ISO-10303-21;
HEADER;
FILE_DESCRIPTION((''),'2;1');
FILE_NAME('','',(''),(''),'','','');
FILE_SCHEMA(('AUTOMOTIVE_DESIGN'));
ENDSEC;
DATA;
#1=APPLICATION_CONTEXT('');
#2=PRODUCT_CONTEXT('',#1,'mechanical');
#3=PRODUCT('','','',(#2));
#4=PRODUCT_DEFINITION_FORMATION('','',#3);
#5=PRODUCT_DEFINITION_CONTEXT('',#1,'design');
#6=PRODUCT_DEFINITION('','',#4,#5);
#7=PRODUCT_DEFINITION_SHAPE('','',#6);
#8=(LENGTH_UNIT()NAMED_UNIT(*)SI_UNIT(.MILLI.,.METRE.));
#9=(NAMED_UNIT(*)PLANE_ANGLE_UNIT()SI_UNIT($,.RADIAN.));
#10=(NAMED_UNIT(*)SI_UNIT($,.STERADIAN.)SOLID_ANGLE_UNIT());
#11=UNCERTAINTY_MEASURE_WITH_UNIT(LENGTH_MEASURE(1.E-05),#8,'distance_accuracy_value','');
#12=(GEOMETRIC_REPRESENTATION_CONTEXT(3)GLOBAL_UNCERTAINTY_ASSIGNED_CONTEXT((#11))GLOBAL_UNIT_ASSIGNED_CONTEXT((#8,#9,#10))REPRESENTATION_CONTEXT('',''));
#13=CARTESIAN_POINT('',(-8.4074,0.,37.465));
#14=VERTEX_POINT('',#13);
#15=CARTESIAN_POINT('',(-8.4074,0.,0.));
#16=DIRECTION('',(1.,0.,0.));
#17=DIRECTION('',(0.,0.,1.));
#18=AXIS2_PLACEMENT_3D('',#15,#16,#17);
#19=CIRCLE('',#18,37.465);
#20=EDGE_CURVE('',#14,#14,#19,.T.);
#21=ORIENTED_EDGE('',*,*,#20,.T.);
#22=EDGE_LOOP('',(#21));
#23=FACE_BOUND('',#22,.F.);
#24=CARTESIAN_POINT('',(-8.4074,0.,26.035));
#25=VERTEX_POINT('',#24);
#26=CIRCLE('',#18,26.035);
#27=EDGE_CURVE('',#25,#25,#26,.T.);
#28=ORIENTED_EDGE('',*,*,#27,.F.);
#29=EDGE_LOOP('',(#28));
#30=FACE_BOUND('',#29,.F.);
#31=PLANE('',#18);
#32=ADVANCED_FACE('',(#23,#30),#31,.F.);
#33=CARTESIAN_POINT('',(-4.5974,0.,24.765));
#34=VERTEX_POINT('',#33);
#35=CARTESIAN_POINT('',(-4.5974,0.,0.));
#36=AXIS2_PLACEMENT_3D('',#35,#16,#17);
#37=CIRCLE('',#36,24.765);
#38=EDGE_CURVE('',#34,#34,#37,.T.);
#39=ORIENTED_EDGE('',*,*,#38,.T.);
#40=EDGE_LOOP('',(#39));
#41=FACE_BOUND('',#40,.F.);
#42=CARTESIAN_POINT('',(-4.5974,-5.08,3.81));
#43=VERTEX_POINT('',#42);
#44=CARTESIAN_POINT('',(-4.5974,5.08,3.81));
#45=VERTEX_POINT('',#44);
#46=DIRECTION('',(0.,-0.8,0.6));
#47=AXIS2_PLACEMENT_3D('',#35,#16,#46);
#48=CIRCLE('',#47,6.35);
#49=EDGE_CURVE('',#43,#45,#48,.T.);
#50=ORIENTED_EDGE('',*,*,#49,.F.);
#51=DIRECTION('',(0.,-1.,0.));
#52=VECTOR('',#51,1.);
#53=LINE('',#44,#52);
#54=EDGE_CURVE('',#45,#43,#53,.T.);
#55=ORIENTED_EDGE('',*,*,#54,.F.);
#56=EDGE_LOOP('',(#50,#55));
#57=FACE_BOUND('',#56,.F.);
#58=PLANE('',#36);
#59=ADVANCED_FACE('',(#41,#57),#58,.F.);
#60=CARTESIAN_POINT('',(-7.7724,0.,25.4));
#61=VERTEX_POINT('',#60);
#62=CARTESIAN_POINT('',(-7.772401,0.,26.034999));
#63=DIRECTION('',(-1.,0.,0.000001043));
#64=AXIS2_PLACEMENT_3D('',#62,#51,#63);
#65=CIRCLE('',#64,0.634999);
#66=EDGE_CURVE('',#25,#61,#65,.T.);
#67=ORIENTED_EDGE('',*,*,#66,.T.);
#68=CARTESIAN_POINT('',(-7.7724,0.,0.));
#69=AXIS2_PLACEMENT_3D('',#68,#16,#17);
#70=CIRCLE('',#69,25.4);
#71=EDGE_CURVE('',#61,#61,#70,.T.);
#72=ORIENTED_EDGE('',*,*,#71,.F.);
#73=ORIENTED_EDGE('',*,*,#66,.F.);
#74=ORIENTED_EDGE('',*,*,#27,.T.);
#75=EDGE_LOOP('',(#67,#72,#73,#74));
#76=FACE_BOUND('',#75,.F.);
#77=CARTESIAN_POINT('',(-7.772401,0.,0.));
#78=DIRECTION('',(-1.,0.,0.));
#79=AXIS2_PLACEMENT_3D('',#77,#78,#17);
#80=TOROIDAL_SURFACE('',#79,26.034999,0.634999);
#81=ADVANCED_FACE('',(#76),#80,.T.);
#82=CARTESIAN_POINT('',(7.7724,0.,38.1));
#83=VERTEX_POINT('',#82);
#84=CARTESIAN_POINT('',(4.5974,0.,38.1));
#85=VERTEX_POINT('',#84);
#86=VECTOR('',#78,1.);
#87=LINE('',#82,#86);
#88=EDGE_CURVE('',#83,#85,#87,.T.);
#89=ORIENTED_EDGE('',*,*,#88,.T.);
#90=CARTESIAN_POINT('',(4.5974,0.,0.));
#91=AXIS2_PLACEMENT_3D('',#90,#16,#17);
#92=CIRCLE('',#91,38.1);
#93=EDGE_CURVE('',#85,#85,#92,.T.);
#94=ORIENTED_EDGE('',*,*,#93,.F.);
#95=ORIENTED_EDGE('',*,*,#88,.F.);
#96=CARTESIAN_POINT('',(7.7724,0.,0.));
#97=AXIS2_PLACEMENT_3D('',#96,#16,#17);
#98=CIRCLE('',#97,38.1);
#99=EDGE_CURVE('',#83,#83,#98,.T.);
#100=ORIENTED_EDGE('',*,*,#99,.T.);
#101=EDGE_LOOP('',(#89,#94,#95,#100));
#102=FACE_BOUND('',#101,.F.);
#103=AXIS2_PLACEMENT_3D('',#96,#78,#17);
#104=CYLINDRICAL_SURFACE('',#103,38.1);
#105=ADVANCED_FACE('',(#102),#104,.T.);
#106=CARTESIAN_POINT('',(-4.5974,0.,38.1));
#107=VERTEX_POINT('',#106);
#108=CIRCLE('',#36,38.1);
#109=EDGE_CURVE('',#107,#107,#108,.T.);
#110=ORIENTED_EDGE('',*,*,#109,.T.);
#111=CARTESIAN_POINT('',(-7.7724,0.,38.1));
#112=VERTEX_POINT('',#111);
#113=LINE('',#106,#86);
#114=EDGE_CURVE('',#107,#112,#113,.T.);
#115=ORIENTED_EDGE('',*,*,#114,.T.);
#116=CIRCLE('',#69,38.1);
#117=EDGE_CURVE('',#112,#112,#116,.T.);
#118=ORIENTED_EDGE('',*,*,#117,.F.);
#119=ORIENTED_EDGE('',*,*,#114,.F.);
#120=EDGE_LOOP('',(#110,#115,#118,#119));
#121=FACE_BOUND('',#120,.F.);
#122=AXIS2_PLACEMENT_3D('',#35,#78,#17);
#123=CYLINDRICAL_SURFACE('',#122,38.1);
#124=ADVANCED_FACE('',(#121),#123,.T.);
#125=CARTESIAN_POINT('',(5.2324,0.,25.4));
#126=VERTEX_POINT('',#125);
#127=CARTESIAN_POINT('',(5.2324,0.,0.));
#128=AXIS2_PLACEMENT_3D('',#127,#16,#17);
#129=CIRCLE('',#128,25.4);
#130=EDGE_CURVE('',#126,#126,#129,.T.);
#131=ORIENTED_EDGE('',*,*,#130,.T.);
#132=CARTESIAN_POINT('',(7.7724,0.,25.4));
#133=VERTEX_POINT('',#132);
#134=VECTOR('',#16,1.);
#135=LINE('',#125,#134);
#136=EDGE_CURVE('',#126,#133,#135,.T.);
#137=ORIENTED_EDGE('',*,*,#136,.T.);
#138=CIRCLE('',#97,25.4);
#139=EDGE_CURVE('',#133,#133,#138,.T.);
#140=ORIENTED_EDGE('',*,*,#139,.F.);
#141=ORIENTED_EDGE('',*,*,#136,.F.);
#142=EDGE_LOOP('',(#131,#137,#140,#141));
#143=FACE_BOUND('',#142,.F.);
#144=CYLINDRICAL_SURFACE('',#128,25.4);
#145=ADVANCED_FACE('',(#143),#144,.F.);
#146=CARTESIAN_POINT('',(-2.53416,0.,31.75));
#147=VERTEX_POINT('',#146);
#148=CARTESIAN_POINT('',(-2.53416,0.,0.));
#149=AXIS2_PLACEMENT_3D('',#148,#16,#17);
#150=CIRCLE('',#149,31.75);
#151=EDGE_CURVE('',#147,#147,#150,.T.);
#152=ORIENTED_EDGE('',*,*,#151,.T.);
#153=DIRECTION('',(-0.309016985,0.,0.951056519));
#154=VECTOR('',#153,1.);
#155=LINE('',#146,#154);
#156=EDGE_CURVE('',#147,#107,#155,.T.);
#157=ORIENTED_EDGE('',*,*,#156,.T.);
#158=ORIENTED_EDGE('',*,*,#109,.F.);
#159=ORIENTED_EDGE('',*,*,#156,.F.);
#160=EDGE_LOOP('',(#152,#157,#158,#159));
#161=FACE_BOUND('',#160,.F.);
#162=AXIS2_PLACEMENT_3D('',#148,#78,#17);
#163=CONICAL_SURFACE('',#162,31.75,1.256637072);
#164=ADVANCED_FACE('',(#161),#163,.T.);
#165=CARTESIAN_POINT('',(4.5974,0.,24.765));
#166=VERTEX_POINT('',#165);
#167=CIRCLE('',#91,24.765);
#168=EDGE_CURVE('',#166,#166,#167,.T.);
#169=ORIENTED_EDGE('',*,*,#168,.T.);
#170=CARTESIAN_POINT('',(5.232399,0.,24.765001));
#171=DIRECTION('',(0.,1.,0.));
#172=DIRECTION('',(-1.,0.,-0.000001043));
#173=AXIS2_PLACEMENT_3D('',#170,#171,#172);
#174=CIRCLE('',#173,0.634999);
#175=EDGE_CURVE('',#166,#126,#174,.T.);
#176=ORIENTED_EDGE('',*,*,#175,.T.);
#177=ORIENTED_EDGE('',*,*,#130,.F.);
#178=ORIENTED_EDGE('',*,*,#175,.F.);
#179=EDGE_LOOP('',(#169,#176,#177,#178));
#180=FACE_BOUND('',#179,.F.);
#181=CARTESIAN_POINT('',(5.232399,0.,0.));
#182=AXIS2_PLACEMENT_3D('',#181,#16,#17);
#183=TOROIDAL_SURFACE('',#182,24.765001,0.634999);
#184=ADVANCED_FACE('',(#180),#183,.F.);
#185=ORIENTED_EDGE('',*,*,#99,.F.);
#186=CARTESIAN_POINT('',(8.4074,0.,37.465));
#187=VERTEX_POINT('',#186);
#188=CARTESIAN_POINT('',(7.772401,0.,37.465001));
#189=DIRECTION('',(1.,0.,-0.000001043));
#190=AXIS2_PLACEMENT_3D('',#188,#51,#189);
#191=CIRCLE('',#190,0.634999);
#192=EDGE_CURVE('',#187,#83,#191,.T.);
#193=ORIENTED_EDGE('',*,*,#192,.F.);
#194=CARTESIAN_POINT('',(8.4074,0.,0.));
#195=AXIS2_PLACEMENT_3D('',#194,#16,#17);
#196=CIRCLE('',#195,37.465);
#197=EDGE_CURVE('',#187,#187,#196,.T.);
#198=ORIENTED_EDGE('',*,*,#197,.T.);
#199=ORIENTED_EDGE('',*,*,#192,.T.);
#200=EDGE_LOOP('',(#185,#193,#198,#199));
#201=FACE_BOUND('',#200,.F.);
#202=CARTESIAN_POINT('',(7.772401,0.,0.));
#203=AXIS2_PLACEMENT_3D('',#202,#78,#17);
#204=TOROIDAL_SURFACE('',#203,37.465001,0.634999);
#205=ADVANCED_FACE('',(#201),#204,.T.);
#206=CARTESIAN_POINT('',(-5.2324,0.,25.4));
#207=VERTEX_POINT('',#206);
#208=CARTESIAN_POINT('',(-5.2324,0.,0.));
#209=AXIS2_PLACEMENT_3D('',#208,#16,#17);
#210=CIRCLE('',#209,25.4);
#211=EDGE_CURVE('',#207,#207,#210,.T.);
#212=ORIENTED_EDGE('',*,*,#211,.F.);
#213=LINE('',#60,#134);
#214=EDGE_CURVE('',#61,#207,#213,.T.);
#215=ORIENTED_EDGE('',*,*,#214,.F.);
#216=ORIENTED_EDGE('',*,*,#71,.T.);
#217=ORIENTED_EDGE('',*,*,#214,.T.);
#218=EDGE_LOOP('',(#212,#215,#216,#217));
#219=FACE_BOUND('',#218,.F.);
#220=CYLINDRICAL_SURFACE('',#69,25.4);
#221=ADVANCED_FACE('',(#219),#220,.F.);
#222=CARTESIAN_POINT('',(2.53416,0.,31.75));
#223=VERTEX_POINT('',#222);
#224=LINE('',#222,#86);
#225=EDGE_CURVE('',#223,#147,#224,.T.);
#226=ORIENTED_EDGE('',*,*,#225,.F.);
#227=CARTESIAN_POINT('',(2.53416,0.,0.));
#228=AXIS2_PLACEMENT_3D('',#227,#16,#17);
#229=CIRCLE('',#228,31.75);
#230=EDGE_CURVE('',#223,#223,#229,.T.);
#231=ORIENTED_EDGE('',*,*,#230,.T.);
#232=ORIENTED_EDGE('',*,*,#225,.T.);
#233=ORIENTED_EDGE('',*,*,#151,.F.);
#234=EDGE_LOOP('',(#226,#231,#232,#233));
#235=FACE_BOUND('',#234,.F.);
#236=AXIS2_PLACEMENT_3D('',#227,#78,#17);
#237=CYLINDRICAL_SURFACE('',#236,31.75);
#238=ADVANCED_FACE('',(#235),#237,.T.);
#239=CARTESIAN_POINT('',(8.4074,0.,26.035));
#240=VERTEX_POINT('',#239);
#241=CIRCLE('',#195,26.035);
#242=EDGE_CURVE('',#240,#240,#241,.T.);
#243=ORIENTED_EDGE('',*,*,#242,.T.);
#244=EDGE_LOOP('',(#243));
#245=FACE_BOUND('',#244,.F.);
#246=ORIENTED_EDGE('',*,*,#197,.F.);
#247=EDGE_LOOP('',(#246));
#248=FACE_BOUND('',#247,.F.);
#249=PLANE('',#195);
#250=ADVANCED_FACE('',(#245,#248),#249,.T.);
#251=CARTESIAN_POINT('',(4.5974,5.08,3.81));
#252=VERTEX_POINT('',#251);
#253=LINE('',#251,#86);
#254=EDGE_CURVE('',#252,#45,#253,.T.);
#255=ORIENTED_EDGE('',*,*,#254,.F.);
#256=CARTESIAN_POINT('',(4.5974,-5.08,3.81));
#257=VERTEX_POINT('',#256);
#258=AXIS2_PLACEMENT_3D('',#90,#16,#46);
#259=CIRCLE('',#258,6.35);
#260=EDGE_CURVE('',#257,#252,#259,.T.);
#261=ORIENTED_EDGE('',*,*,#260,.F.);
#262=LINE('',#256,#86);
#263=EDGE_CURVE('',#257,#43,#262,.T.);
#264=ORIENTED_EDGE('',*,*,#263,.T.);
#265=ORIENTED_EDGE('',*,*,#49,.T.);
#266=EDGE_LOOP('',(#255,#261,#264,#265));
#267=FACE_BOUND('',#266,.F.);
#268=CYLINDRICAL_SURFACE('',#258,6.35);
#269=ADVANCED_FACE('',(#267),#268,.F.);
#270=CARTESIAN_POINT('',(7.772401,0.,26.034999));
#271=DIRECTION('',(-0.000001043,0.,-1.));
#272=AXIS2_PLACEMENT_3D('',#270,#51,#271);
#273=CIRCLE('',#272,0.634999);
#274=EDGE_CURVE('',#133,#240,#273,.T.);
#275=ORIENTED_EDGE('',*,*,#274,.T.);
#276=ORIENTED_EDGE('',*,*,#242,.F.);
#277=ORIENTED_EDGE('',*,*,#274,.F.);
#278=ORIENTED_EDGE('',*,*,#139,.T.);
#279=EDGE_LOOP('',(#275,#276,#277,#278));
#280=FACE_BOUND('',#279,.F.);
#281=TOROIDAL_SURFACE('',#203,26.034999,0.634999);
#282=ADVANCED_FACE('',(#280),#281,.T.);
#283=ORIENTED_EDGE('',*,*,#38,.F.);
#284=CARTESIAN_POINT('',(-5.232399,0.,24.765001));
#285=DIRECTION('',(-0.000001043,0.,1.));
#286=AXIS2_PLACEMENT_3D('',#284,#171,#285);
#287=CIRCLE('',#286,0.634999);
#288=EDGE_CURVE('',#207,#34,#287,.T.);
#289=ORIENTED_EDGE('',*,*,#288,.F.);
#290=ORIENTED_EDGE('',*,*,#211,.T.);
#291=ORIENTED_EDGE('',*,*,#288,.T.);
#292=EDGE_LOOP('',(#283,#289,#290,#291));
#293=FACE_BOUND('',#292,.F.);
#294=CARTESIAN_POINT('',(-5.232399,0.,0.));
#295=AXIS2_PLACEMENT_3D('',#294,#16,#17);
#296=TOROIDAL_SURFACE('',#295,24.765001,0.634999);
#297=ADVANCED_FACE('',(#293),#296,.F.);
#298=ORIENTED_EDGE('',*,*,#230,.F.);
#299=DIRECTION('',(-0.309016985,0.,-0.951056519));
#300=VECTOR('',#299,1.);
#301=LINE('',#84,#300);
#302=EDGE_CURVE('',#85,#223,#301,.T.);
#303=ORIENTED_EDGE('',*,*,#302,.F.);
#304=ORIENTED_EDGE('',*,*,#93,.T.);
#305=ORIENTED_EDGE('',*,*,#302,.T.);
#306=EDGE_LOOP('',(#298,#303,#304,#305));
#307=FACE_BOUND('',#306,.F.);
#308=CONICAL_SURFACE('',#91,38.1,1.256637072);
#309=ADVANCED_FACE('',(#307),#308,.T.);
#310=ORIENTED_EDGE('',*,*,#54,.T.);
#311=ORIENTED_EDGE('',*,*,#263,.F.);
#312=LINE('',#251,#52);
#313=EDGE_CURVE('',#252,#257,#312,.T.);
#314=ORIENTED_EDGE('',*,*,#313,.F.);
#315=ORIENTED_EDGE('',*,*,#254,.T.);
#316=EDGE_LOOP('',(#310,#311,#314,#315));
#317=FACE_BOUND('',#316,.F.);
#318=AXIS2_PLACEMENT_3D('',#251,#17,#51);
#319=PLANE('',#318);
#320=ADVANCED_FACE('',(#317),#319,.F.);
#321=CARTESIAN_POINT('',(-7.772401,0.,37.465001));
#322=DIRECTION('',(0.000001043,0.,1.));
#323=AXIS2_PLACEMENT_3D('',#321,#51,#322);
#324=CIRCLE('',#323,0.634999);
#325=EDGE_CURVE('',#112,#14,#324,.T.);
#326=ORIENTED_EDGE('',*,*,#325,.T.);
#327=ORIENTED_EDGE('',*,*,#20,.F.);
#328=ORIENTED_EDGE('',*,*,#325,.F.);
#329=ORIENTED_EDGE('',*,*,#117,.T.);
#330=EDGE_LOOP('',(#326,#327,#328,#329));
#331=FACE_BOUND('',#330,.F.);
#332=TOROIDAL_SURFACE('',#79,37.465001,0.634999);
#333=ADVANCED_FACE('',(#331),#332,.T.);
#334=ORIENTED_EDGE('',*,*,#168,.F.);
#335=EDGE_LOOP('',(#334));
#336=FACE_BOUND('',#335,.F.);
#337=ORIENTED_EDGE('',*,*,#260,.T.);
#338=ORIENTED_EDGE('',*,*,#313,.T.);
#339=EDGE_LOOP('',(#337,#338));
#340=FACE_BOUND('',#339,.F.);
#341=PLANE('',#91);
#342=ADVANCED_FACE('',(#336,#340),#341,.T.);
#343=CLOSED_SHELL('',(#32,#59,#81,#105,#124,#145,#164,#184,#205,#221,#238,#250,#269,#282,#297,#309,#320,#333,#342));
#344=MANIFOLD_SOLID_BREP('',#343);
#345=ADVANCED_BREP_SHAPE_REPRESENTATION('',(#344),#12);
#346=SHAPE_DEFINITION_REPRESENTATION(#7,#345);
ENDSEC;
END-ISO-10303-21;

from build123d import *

# Parameters (mm, degrees)
F4_DEPTH = 9.1948


with BuildPart() as f2:
    # F0 (on Front) → F2 (revolve)
    with BuildSketch(Plane.XZ):
        with BuildLine():
            Line((-4.5974, 24.765), (-4.5974, 0))
            Line((-4.5974, 0), (4.5974, 0))
            Line((4.5974, 0), (4.5974, 24.765))
            ThreePointArc((4.5974, 24.765), (4.783387, 25.214013), (5.2324, 25.4))
            Line((5.2324, 25.4), (7.7724, 25.4))
            ThreePointArc((7.7724, 25.4), (8.221413, 25.585987), (8.4074, 26.035))
            Line((8.4074, 26.035), (8.4074, 37.465))
            ThreePointArc((8.4074, 37.465), (8.221413, 37.914013), (7.7724, 38.1))
            Line((7.7724, 38.1), (4.5974, 38.1))
            Line((4.5974, 38.1), (2.53416, 31.75))
            Line((2.53416, 31.75), (0.00584, 31.75))
            Line((0.00584, 31.75), (-0.00584, 31.75))
            Line((-0.00584, 31.75), (-2.53416, 31.75))
            Line((-2.53416, 31.75), (-4.5974, 38.1))
            Line((-4.5974, 38.1), (-7.7724, 38.1))
            ThreePointArc((-7.7724, 38.1), (-8.221413, 37.914013), (-8.4074, 37.465))
            Line((-8.4074, 37.465), (-8.4074, 26.035))
            ThreePointArc((-8.4074, 26.035), (-8.221413, 25.585987), (-7.7724, 25.4))
            Line((-7.7724, 25.4), (-5.2324, 25.4))
            ThreePointArc((-5.2324, 25.4), (-4.783387, 25.214013), (-4.5974, 24.765))
        make_face()
    revolve(axis=Axis((8.800593, 0, 0), (1, 0, 0)))

    # F3 (on face) → F4 (cut, through all)
    with BuildSketch(Plane.YZ.offset(4.5974)):
        with BuildLine():
            Line((5.08, 3.81), (-5.08, 3.81))
            ThreePointArc((-5.08, 3.81), (0, -6.35), (5.08, 3.81))
        make_face()
    extrude(amount=-F4_DEPTH, mode=Mode.SUBTRACT)


solid = f2.part
